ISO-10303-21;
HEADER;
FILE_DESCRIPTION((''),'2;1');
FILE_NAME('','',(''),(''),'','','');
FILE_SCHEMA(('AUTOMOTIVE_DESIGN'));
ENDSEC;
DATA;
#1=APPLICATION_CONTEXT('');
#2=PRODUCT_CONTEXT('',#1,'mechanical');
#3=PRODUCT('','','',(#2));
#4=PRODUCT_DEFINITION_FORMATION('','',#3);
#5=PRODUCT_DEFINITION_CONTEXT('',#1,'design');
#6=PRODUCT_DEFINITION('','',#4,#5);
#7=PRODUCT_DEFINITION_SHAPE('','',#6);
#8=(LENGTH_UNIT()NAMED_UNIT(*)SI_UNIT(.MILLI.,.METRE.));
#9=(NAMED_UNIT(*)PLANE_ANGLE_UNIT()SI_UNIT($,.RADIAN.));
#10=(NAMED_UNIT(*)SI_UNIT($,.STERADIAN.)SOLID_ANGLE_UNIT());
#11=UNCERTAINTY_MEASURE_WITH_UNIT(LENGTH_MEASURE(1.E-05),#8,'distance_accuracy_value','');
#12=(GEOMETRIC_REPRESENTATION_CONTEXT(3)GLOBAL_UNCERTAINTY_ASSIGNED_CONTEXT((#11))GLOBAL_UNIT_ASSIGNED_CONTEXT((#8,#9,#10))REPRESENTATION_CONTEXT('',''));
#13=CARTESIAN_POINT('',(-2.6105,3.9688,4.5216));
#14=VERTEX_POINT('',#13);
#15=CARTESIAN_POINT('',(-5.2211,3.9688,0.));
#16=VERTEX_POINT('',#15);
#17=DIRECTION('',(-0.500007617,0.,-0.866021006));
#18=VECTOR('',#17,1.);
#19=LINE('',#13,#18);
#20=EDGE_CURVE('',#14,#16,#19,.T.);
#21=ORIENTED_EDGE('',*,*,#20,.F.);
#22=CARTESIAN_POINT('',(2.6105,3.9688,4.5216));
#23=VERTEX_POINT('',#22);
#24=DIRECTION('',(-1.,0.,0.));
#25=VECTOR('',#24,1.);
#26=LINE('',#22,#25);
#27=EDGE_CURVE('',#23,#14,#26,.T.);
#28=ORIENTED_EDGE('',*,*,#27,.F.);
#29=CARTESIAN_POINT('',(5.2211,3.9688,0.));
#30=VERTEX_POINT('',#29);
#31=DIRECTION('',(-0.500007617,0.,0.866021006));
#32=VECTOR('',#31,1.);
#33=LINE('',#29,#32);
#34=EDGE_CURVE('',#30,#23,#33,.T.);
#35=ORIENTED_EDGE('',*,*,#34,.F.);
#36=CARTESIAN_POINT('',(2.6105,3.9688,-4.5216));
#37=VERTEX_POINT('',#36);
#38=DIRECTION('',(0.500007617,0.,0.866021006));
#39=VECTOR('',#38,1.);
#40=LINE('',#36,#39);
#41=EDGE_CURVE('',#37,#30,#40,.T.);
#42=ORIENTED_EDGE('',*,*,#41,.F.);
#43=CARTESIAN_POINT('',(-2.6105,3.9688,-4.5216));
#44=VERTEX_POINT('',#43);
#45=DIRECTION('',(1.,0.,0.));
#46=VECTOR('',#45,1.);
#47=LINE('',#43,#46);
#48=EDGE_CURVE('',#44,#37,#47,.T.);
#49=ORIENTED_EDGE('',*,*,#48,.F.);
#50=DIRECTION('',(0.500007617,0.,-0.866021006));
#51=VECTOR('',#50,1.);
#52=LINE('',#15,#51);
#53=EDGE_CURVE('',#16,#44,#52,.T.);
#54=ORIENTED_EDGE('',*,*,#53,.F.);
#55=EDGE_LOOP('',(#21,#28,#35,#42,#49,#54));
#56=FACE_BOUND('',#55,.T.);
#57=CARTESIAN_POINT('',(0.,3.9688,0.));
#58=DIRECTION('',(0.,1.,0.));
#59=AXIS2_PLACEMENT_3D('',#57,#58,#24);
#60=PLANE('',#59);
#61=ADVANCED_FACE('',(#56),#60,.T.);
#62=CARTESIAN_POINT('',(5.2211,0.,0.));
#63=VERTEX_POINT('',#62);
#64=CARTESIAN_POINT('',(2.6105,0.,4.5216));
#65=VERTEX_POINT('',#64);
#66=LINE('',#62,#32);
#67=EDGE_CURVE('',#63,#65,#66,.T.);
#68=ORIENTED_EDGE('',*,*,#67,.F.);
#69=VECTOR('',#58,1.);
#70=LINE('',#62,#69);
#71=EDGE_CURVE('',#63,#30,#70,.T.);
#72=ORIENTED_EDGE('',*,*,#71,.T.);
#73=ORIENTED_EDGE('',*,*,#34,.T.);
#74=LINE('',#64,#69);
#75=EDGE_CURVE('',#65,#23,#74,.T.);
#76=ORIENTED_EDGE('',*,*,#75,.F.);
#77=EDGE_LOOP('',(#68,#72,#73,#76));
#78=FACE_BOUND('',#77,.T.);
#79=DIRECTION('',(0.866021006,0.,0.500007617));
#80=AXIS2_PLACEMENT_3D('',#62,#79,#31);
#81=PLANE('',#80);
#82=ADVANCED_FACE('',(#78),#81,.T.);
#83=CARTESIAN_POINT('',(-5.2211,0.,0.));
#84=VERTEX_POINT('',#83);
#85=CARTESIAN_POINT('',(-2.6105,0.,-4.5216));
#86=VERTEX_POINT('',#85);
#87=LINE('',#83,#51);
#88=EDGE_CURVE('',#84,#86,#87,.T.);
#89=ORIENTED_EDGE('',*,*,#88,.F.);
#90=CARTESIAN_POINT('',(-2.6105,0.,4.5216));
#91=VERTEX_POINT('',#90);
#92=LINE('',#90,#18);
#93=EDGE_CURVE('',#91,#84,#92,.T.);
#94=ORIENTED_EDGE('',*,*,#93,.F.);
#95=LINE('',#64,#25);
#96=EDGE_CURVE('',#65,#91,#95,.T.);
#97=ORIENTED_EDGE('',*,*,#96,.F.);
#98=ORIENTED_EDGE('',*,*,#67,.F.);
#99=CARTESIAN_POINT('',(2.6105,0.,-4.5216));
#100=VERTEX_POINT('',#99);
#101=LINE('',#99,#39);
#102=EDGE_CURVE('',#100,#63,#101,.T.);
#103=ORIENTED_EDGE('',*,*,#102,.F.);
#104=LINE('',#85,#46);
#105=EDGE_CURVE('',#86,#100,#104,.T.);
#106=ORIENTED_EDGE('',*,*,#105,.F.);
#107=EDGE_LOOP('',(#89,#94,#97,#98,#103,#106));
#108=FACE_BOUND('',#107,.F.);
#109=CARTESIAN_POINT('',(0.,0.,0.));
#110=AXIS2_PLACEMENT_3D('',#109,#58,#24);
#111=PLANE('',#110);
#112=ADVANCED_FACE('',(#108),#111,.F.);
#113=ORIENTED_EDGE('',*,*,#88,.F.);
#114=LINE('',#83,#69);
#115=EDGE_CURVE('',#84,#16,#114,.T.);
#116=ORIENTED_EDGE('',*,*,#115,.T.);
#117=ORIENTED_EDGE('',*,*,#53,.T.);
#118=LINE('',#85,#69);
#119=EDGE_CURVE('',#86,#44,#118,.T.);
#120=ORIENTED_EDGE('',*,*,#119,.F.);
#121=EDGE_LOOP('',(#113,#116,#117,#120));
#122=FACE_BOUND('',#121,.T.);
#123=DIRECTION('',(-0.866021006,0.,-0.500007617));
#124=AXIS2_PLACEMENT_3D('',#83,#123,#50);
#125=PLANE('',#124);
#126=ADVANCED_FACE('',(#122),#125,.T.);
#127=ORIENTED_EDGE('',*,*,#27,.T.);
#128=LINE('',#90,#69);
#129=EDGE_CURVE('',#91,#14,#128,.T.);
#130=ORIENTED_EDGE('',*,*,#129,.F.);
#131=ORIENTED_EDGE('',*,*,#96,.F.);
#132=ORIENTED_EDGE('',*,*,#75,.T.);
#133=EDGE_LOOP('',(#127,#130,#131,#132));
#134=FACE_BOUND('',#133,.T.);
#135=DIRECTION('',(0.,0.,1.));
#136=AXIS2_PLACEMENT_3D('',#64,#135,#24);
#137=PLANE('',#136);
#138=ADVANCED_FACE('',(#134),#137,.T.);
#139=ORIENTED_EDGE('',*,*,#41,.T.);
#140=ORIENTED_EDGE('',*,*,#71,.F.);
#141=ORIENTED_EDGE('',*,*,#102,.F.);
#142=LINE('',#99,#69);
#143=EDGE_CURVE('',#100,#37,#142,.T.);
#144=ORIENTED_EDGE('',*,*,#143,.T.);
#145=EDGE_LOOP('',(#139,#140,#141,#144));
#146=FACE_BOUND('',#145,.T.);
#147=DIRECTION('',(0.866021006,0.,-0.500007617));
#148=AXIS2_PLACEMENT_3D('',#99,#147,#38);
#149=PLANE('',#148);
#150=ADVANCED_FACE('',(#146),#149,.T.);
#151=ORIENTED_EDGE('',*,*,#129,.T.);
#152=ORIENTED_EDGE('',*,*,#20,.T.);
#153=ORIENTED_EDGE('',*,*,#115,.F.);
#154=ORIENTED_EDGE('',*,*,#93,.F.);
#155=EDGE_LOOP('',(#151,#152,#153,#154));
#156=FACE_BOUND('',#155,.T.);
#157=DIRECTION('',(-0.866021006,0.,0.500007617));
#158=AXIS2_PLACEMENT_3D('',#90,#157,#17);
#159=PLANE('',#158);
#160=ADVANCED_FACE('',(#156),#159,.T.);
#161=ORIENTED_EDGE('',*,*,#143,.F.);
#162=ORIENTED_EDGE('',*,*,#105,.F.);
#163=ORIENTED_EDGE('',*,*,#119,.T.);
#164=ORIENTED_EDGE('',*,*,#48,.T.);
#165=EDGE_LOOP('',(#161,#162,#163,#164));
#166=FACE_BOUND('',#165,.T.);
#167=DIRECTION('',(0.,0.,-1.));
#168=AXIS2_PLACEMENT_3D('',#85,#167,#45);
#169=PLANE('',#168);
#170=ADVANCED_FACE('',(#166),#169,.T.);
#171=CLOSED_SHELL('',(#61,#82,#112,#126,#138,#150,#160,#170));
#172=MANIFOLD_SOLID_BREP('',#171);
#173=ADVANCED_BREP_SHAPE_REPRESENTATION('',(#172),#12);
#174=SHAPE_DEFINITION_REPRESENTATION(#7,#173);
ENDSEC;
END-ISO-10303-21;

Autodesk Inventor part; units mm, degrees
ref_plane "YZ Plane" through (0, 0, 0) normal (1, 0, 0) x (0, 1, 0)
ref_plane "XZ Plane" through (0, 0, 0) normal (0, 1, 0) x (-1, 0, 0)
ref_plane "XY Plane" through (0, 0, 0) normal (0, 0, 1) x (1, 0, 0)
sketch "Sketch1" plane through (0, 0, 0) normal (0, 1, 0) x (-1, 0, 0)
  line L0 (-9.9441, 7.0739) -> (9.9441, 7.0739)
  line L1 (9.9441, 7.0739) -> (9.9441, -7.0739)
  line L2 (9.9441, -7.0739) -> (-9.9441, -7.0739)
  line L3 (-9.9441, -7.0739) -> (-9.9441, 7.0739)
  line L4 (-9.9441, 7.0739) -> (9.9441, -7.0739) construction
  line L5 (9.9441, 7.0739) -> (-9.9441, -7.0739) construction
  line L6 (5.2211, 0) -> (2.6105, -4.5216)
  line L7 (2.6105, -4.5216) -> (-2.6105, -4.5216)
  line L8 (-2.6105, -4.5216) -> (-5.2211, 0)
  line L9 (-5.2211, 0) -> (-2.6105, 4.5216)
  line L10 (-2.6105, 4.5216) -> (2.6105, 4.5216)
  line L11 (2.6105, 4.5216) -> (5.2211, 0)
  point P0 (0, 0)
  point P1 (0, 0)
  dimension "d0" = 19.8882
  dimension "d1" = 14.1478
extrude "Extrusion1" add sketch "Sketch1" along normal blind 3.9688 contours L6 L7 L8 L9 L10 L11
properties part number "Wheel side stand nut"
